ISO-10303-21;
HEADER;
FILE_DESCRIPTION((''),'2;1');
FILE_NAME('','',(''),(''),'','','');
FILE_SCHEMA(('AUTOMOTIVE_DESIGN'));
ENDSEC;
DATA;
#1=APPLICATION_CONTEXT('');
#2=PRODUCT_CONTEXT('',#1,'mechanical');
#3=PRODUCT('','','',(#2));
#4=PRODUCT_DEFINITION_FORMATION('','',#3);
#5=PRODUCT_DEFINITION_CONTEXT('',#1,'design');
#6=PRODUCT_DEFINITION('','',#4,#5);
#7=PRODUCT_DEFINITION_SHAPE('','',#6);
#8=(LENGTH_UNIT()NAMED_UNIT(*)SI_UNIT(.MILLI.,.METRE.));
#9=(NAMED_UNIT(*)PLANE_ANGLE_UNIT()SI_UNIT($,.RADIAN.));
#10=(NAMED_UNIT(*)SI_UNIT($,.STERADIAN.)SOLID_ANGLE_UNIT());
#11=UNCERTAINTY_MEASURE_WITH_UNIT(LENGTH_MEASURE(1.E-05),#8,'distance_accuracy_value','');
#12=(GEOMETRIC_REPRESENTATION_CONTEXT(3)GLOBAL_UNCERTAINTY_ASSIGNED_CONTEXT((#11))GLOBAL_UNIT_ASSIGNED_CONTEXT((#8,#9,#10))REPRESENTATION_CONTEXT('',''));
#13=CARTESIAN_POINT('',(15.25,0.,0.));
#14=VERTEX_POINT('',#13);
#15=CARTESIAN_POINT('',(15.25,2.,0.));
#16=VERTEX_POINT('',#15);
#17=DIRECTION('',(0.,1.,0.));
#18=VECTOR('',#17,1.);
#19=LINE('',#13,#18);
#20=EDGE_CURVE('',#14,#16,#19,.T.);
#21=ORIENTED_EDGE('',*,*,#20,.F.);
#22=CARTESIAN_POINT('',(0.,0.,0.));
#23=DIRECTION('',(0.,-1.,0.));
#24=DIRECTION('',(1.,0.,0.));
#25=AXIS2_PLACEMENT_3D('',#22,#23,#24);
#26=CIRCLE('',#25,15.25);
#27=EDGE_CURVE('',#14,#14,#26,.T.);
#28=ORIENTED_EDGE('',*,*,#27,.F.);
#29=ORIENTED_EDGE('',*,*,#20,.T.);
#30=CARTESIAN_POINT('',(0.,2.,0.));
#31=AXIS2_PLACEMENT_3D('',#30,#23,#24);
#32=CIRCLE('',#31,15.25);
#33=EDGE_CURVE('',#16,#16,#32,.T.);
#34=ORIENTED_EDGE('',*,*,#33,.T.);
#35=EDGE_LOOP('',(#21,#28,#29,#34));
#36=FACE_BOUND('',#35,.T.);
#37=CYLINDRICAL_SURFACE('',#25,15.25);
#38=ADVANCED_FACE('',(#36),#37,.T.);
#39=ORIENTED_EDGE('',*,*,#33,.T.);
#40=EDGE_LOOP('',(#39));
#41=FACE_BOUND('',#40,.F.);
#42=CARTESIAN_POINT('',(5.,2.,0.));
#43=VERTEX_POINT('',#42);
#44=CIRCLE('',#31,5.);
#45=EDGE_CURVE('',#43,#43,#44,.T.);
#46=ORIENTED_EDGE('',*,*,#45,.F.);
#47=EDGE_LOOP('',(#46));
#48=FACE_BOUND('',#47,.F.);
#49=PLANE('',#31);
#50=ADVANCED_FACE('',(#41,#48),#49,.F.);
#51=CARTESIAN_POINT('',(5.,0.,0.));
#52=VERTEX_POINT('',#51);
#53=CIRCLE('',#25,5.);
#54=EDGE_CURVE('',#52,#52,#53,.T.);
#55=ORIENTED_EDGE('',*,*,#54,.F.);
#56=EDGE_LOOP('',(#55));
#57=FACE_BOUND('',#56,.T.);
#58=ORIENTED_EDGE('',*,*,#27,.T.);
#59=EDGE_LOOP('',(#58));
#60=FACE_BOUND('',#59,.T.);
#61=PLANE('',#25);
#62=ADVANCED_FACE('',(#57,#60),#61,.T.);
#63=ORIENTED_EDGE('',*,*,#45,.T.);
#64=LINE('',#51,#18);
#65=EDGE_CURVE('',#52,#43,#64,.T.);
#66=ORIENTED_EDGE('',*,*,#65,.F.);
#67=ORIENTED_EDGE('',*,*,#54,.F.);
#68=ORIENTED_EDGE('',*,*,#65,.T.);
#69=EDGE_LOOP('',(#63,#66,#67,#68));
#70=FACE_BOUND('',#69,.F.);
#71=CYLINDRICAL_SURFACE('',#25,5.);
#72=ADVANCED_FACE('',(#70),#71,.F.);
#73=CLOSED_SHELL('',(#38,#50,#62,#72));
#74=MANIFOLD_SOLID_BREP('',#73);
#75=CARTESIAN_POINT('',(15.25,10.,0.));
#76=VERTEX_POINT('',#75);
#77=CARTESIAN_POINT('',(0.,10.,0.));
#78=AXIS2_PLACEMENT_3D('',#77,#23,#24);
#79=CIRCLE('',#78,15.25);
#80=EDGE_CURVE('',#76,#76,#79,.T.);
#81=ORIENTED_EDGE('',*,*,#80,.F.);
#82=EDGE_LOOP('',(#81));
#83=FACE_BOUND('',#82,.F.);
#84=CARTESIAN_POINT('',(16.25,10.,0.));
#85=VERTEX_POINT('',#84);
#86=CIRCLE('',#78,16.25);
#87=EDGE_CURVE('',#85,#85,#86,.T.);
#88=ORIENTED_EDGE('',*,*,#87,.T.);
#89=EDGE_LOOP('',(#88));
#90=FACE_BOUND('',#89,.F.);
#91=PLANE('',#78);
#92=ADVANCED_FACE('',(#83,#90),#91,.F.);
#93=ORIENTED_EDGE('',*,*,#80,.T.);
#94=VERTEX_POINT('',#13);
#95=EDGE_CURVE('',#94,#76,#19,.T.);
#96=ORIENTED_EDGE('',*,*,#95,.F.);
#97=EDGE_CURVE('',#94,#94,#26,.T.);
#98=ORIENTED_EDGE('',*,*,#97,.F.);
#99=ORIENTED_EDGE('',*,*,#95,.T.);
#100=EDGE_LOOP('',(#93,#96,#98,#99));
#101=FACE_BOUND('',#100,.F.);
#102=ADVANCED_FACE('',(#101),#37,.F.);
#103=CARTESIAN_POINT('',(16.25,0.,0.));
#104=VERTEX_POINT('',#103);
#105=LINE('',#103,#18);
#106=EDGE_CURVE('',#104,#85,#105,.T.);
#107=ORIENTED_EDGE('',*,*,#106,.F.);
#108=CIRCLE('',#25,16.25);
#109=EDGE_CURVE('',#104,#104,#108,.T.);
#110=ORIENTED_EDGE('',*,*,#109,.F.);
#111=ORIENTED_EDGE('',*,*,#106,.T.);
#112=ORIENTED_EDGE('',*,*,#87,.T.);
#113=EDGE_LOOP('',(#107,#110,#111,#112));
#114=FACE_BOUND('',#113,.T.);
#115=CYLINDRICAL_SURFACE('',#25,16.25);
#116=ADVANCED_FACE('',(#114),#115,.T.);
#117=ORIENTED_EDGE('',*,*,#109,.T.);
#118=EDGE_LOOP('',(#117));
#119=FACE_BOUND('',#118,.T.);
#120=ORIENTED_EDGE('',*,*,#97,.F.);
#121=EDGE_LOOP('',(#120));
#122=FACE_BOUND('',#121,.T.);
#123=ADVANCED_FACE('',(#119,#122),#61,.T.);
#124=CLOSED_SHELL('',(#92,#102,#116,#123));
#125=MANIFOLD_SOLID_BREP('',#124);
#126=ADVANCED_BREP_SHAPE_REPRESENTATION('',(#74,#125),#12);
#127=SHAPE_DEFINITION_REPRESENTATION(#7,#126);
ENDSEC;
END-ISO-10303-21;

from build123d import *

# Parameters (mm, degrees)
F0_R     = 16.25
F0_R_2   = 15.25
F1_DEPTH = 10
F2_R     = 15.25
F2_R_2   = 5
F3_DEPTH = 8
F4_DEPTH = 2


with BuildPart() as f1:
    # F0 (on Front) → F1 (new body)
    with BuildSketch(Plane.XZ):
        Circle(F0_R)
        Circle(F0_R_2, mode=Mode.SUBTRACT)
    extrude(amount=-F1_DEPTH)

    # F2 (on Front) → F3 (cut)
    with BuildSketch(Plane.XZ):
        Circle(F2_R)
        Circle(F2_R_2, mode=Mode.SUBTRACT)
    extrude(amount=F3_DEPTH, mode=Mode.SUBTRACT)


with BuildPart() as f4:
    # F2 (on Front) → F4 (new body)
    with BuildSketch(Plane.XZ):
        Circle(F2_R)
        Circle(F2_R_2, mode=Mode.SUBTRACT)
    extrude(amount=-F4_DEPTH)


solid = Compound([f1.part, f4.part])
